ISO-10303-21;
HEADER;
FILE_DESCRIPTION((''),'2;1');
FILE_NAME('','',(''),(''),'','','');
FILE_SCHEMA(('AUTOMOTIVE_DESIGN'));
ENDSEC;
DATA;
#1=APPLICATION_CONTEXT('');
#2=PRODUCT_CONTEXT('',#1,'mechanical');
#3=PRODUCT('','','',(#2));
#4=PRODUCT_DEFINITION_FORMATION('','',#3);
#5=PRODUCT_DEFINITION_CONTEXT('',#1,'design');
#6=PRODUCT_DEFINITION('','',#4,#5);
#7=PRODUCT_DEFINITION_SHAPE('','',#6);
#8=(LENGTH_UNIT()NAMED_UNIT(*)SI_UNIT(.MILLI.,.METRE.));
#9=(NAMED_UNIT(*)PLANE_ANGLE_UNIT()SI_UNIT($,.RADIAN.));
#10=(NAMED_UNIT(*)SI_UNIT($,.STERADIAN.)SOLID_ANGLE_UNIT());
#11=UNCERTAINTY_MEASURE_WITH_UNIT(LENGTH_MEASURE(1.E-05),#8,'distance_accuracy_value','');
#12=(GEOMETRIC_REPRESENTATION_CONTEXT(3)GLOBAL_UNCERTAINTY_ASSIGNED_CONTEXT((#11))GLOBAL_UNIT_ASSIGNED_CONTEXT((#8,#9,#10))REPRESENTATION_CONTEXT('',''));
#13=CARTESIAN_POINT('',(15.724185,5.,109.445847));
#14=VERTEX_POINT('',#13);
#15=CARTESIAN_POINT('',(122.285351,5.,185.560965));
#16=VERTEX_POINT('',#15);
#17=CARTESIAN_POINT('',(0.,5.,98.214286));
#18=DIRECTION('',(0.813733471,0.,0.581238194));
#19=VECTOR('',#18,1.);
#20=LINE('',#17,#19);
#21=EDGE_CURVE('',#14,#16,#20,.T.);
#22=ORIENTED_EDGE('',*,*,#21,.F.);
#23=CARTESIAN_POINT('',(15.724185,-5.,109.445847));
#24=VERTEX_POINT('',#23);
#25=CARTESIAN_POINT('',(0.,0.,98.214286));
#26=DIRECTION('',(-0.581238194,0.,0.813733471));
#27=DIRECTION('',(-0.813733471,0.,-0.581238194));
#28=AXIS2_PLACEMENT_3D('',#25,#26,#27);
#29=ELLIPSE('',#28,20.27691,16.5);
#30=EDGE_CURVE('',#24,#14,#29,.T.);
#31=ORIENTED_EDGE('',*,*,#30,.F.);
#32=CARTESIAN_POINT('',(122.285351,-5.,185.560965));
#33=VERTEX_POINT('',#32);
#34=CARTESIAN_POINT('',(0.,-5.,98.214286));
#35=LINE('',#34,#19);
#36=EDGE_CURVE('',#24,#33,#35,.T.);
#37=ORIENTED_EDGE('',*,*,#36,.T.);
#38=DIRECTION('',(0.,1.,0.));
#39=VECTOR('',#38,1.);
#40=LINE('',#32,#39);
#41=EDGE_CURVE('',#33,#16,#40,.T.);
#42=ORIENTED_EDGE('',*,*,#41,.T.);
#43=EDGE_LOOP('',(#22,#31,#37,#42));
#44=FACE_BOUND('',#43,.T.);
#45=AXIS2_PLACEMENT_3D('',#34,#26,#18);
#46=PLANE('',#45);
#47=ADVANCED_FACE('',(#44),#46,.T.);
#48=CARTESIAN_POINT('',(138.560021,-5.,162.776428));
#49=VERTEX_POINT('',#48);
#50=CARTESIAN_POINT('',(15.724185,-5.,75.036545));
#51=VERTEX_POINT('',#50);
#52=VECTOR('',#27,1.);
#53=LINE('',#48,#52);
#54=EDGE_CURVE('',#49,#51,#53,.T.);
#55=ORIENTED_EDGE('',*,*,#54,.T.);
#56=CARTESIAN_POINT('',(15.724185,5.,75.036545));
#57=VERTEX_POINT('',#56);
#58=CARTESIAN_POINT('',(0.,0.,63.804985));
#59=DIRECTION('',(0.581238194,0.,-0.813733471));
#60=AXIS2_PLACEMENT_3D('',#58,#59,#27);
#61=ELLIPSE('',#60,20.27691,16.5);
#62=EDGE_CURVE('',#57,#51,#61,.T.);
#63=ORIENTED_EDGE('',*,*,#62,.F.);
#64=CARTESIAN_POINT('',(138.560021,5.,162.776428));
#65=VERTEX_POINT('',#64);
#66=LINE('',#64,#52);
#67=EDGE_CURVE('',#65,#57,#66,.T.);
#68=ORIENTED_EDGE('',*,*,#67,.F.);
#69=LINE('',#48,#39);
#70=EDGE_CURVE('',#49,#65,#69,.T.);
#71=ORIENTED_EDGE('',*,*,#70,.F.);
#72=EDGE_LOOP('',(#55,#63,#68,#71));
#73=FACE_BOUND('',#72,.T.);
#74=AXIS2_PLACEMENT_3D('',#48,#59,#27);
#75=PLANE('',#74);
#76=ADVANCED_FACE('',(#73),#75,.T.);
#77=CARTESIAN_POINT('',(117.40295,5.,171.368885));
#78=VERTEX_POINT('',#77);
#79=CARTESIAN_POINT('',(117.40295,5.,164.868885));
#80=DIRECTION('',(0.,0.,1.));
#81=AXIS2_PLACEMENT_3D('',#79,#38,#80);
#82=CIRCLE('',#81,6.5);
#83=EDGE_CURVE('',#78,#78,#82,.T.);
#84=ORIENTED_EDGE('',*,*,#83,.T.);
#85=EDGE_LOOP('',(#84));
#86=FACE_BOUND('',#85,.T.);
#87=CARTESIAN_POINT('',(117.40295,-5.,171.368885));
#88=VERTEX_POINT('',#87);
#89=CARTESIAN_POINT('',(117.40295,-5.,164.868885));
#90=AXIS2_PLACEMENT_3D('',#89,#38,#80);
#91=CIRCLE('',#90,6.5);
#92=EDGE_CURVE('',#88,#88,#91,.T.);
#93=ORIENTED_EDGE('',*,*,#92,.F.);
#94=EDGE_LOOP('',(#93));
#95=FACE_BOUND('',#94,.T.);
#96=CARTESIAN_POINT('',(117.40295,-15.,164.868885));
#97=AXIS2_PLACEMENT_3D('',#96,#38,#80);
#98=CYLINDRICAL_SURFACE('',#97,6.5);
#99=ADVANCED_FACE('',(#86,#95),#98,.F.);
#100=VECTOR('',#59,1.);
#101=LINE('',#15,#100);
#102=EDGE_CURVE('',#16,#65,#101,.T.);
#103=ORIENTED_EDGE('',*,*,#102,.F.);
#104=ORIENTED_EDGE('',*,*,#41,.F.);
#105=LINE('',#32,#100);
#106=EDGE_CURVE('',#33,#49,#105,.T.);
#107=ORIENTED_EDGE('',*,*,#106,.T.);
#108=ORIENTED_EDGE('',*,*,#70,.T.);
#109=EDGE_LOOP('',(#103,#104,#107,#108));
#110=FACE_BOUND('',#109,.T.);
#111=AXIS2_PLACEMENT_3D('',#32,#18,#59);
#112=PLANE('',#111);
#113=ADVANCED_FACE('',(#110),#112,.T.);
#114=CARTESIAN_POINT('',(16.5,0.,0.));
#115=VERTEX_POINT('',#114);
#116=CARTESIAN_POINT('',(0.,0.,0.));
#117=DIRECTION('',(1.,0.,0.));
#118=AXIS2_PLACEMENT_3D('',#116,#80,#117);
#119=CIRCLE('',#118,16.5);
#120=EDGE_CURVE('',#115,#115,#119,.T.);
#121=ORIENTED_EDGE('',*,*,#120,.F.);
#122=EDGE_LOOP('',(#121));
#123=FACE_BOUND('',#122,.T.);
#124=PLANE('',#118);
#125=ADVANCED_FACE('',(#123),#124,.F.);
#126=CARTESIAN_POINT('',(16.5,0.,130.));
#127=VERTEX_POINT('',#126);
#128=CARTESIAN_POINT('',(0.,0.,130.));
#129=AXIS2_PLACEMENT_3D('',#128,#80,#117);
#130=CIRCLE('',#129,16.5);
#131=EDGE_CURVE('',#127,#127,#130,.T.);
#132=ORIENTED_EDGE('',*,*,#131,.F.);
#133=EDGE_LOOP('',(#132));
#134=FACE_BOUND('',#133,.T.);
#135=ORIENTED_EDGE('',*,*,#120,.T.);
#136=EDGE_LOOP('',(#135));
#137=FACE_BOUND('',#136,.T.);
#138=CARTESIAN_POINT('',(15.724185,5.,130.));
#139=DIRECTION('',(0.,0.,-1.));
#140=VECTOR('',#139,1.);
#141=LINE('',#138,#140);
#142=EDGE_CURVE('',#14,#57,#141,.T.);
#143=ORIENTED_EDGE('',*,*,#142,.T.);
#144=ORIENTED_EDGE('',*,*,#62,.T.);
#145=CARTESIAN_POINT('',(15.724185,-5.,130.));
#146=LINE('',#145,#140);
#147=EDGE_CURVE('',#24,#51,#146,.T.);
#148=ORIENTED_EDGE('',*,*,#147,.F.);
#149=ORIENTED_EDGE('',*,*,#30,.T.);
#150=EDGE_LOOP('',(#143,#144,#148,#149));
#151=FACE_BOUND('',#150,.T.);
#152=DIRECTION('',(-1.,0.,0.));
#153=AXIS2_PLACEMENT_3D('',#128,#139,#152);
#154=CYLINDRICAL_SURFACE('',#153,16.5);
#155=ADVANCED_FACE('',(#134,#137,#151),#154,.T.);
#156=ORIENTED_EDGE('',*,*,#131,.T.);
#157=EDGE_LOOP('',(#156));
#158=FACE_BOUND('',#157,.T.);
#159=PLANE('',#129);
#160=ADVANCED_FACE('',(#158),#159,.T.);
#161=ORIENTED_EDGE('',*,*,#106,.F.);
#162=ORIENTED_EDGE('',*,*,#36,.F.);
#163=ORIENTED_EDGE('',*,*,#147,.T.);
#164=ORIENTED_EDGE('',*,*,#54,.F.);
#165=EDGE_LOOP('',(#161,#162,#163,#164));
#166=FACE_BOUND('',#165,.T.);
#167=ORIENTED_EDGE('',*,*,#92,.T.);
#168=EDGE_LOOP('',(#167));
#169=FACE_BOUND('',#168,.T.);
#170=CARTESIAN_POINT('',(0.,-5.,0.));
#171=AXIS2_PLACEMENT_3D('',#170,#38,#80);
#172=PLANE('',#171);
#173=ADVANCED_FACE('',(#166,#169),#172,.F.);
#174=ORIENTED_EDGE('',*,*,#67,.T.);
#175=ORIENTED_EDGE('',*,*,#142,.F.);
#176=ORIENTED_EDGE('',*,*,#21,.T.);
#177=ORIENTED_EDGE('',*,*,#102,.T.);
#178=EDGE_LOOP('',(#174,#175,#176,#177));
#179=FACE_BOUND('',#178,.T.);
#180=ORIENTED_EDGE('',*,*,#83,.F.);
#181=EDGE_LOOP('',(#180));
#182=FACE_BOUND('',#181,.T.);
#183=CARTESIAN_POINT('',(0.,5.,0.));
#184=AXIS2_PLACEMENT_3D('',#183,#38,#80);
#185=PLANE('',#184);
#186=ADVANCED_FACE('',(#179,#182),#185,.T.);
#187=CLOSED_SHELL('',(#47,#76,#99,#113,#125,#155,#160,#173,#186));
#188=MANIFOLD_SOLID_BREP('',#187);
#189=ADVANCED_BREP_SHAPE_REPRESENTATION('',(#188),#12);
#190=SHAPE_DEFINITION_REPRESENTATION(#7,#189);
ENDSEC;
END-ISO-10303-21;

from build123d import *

# Parameters (mm, degrees)
SKETCH1_R                = 16.5
BOSS_EXTRUDE1_DEPTH      = 130
BOSS_EXTRUDE2_DEPTH      = 5
BOSS_EXTRUDE2_DEPTH_BACK = 5
SKETCH3_R                = 6.5
CUT_EXTRUDE1_DEPTH       = 20


with BuildPart() as part:
    # Sketch1 → Boss-Extrude1 (new body)
    with BuildSketch(Plane.XY):
        Circle(SKETCH1_R)
    extrude(amount=BOSS_EXTRUDE1_DEPTH)

    # Sketch2 → Boss-Extrude2 (add, two sides: drawn at the far end of the back side and taken through both)
    with BuildSketch(Plane(origin=(0, 0, 0), x_dir=(1, 0, 0), z_dir=(0, 1, 0)).offset(-BOSS_EXTRUDE2_DEPTH_BACK)):
        Polygon((0, -98.214285714), (122.285351257, -185.560965183), (138.560020681, -162.77642799), (0, -63.804984646), align=None)
    extrude(amount=BOSS_EXTRUDE2_DEPTH + BOSS_EXTRUDE2_DEPTH_BACK)

    # Sketch3 → Cut-Extrude1 (cut)
    with BuildSketch(Plane(origin=(0, 5, 0), x_dir=(1, 0, 0), z_dir=(0, 1, 0))):
        with Locations((117.40295043, -164.868885487)):
            Circle(SKETCH3_R)
    extrude(amount=-CUT_EXTRUDE1_DEPTH, mode=Mode.SUBTRACT)


solid = part.part
